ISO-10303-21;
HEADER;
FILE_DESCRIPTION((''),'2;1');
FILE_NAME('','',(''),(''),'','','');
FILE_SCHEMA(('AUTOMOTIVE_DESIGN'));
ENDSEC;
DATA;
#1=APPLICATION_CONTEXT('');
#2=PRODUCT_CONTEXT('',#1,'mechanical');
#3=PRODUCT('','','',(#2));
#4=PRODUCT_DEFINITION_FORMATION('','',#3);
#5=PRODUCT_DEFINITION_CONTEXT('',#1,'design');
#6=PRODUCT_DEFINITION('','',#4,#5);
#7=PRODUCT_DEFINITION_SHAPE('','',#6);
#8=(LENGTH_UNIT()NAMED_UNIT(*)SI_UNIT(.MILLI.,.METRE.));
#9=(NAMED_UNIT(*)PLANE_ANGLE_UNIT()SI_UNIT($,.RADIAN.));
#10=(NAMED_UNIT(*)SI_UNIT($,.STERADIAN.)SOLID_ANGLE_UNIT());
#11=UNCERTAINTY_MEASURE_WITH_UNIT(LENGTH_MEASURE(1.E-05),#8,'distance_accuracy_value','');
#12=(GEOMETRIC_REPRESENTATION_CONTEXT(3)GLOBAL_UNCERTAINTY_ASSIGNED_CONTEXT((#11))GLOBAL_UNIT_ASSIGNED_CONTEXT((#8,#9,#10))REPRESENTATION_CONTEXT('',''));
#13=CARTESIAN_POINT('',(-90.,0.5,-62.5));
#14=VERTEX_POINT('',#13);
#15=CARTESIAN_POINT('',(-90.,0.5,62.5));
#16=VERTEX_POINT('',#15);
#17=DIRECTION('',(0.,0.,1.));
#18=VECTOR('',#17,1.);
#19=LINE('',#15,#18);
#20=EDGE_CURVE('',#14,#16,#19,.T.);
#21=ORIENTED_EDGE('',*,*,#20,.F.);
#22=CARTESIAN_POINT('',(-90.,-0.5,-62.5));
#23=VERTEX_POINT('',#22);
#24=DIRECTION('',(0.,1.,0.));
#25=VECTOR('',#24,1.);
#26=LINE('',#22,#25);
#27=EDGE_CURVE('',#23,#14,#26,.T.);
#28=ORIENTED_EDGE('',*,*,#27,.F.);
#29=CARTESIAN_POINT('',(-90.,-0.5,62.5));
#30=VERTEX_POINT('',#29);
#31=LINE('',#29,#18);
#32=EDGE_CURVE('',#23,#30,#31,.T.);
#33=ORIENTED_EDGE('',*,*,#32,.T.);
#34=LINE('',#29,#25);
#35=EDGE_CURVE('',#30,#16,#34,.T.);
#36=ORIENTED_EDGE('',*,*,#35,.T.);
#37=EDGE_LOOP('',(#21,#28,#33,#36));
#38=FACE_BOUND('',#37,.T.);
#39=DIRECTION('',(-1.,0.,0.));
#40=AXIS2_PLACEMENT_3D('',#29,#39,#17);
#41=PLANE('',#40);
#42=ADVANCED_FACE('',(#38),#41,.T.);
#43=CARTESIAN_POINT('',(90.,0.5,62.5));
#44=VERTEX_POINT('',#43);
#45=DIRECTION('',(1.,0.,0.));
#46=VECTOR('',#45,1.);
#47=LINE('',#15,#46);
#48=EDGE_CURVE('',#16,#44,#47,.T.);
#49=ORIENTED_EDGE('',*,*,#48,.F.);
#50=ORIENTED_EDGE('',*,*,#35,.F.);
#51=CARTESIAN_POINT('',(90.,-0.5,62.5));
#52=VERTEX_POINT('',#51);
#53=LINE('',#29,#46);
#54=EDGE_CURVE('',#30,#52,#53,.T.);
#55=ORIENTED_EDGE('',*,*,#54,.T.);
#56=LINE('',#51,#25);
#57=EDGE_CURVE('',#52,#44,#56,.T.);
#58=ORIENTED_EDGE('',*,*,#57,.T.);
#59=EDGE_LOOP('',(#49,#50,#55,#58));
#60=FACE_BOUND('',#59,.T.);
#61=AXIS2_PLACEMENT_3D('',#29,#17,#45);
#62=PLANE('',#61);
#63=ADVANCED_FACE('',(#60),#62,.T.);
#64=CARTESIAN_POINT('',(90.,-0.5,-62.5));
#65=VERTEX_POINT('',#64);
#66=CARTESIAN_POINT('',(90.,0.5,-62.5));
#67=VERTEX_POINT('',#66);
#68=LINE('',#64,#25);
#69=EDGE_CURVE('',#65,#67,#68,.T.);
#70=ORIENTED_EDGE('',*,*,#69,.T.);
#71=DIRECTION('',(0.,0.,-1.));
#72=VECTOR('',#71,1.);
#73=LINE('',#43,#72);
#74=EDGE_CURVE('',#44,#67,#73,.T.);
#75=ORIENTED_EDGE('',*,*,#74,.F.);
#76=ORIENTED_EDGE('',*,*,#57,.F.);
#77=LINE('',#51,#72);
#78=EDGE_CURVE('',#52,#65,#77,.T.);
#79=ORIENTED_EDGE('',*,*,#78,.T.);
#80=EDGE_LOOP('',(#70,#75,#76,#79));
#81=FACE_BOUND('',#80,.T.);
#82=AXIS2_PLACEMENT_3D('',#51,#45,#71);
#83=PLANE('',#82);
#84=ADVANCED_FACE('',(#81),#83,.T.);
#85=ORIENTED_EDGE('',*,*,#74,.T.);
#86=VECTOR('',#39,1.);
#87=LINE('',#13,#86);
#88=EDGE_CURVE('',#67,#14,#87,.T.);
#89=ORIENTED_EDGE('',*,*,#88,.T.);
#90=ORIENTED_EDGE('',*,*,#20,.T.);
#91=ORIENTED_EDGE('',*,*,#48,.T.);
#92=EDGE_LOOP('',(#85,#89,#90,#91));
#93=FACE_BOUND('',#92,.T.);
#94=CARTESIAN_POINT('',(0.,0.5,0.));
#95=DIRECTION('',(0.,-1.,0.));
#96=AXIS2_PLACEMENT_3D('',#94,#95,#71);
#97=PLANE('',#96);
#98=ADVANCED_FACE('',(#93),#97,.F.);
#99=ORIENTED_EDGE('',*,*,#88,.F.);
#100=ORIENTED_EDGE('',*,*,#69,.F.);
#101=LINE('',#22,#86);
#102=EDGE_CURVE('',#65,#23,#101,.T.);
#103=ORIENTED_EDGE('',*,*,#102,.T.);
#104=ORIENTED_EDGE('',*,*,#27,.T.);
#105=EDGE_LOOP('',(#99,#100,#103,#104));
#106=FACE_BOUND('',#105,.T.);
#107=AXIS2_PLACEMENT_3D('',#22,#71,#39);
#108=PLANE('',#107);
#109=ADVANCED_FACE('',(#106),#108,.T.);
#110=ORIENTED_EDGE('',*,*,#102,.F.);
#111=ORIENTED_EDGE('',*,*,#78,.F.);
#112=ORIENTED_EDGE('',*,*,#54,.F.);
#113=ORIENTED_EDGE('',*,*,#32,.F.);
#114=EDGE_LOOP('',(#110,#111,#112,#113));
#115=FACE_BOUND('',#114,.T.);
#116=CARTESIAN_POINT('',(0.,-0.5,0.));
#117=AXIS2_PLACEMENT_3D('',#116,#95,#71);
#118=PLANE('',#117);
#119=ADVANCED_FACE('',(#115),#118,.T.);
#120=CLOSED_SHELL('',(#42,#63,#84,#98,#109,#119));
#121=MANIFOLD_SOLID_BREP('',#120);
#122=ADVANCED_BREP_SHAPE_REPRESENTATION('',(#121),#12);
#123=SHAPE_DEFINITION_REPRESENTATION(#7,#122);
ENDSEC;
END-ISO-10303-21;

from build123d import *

# Parameters (mm, degrees)
SALIENTE_EXTRUIR1_DEPTH      = 0.5
SALIENTE_EXTRUIR1_DEPTH_BACK = 0.5
CROQUIS1_W                   = 180
CROQUIS1_H                   = 125


with BuildPart() as part:
    # Croquis1 → Saliente-Extruir1 (new, two sides: drawn at the far end of the back side and taken through both)
    with BuildSketch(Plane(origin=(0, 0, 0), x_dir=(1, 0, 0), z_dir=(0, 1, 0)).offset(-SALIENTE_EXTRUIR1_DEPTH_BACK)):
        Rectangle(CROQUIS1_W, CROQUIS1_H)
    extrude(amount=SALIENTE_EXTRUIR1_DEPTH + SALIENTE_EXTRUIR1_DEPTH_BACK)


solid = part.part
